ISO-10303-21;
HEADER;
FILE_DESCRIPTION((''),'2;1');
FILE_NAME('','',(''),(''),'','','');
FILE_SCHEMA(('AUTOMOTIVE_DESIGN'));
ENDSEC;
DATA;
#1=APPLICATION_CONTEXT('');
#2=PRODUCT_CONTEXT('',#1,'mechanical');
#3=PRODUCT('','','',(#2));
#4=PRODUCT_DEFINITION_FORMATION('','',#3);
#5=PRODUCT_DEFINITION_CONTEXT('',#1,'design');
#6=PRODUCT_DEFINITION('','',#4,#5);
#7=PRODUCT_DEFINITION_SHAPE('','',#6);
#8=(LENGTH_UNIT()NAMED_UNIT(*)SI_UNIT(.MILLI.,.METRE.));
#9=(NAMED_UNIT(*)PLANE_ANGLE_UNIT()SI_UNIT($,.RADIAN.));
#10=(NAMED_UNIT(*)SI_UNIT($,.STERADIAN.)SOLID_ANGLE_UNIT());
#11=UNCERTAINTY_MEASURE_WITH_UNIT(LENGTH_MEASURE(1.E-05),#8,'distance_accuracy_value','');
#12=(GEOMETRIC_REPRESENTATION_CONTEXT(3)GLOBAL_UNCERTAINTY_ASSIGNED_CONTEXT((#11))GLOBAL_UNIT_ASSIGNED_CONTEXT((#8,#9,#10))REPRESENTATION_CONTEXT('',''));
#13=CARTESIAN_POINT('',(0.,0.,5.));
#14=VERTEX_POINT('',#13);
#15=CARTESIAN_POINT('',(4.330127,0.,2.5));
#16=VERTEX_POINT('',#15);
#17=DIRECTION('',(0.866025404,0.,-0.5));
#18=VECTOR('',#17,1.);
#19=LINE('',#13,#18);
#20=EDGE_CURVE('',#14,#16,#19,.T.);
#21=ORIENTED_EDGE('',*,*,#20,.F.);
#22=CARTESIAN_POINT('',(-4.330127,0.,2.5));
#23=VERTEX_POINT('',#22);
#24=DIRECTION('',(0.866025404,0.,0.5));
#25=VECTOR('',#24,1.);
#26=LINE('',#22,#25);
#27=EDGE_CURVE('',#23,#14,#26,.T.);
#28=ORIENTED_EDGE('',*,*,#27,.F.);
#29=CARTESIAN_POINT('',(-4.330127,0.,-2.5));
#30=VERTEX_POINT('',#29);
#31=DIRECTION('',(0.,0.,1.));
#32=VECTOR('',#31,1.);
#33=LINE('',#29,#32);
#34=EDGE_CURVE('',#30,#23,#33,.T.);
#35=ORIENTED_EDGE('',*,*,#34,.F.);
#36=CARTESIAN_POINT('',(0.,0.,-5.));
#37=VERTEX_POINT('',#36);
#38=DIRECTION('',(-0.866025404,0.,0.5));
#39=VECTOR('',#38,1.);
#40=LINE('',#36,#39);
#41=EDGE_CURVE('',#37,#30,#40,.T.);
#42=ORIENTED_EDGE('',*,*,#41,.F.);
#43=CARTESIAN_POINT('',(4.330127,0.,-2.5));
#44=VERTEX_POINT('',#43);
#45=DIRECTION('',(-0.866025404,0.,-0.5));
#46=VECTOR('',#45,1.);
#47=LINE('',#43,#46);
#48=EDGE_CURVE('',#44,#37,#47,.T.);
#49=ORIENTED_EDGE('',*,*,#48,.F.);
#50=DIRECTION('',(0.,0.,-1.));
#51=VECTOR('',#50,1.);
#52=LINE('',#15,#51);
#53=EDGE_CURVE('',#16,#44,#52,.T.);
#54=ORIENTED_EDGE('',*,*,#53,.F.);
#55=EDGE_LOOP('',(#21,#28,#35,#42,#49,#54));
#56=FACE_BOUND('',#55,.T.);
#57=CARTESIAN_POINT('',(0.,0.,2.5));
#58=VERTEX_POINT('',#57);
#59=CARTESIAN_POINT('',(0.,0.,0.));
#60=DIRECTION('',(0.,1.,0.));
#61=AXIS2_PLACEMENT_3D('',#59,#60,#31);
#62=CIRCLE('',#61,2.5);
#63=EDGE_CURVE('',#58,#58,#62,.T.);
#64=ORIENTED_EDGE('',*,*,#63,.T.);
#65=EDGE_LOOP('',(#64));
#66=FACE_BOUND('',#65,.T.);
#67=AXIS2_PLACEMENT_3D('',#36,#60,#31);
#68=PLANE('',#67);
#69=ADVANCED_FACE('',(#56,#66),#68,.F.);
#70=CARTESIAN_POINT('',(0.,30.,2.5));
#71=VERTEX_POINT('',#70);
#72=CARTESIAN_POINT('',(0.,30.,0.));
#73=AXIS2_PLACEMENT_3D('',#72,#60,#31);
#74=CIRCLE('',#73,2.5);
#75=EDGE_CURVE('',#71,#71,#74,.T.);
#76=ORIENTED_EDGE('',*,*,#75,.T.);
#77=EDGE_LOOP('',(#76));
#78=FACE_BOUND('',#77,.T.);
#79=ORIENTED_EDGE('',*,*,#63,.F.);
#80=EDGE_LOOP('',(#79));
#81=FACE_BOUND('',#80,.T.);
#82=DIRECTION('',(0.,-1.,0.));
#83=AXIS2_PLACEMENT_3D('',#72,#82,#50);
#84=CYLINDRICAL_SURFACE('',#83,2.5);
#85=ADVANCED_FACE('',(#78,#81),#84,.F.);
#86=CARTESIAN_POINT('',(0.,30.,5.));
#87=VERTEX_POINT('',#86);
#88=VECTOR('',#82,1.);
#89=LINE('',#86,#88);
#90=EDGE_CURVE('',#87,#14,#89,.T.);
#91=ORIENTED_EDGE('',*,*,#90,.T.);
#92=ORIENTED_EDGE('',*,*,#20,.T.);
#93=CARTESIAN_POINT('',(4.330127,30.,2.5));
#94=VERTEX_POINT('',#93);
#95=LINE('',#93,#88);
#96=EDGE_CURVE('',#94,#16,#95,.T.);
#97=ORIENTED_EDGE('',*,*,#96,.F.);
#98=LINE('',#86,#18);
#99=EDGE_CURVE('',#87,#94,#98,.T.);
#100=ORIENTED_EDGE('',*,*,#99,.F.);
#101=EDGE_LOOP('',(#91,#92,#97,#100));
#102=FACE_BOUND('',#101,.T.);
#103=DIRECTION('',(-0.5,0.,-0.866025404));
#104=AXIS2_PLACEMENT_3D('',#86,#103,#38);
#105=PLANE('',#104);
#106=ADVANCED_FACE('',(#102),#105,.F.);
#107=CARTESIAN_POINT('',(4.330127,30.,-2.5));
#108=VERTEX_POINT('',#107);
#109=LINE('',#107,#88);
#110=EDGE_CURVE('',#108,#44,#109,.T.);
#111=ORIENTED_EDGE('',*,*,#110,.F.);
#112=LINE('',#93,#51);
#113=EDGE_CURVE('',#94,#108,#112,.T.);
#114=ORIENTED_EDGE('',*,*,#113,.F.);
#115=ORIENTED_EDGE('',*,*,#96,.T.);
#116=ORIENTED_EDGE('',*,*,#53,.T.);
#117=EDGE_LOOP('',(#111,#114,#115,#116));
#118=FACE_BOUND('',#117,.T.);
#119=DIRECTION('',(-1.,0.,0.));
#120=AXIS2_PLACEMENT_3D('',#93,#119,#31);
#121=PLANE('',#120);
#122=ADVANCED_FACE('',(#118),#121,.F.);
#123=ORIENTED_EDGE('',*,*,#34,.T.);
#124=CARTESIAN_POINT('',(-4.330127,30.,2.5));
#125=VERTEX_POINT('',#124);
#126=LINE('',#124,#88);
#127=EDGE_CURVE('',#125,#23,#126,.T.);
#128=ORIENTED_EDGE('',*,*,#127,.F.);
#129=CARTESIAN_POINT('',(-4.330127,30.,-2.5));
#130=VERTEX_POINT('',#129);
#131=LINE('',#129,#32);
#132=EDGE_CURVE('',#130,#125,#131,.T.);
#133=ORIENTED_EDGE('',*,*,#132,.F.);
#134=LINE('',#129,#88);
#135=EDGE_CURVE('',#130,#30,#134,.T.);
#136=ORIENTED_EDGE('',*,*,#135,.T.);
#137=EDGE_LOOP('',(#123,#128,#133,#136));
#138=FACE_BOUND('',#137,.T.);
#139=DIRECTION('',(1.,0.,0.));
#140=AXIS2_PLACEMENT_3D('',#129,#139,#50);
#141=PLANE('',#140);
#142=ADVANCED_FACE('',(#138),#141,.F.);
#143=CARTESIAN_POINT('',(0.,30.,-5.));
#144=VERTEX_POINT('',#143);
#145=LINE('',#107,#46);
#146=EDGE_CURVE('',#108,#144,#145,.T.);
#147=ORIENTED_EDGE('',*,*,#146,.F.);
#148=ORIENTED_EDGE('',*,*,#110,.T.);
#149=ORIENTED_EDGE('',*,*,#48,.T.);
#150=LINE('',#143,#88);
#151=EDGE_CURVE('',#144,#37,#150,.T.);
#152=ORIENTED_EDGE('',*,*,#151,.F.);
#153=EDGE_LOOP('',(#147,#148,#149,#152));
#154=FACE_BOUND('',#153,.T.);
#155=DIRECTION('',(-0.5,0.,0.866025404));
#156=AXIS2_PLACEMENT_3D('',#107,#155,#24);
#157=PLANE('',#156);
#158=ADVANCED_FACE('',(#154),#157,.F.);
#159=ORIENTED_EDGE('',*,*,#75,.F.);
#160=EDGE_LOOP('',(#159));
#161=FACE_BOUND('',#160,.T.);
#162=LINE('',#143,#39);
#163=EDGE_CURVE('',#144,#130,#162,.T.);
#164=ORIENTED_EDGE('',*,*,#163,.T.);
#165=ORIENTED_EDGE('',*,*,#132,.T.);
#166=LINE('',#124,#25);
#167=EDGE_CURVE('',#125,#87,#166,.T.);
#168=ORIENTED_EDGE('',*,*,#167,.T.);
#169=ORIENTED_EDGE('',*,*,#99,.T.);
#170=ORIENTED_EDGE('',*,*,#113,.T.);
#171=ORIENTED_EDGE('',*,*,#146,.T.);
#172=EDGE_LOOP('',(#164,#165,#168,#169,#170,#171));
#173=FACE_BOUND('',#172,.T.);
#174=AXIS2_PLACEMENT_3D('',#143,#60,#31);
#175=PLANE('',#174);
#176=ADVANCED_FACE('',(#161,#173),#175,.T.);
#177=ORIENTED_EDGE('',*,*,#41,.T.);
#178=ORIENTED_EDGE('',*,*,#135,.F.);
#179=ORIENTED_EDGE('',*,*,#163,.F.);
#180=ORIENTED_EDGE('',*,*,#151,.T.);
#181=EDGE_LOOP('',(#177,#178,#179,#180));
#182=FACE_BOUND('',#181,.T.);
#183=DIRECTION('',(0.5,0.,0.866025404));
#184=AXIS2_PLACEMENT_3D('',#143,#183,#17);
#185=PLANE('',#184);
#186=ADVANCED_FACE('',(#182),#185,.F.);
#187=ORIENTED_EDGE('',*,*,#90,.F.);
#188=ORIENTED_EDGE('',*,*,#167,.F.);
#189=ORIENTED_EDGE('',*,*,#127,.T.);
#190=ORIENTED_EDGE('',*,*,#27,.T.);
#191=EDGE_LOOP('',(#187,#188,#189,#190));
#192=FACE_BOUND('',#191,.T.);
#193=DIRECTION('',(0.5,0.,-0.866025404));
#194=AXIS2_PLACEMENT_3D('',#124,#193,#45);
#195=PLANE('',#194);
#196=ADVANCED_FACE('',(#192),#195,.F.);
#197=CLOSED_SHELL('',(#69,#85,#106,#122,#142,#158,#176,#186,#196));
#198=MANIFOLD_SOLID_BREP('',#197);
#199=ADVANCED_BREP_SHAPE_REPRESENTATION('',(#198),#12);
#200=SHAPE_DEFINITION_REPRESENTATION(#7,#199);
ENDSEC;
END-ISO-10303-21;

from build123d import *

# Parameters (mm, degrees)
ESQUISSE1_R      = 2.5
EXTRUSION1_DEPTH = 30


with BuildPart() as part:
    # Esquisse1 → Extrusion1 (new body)
    with BuildSketch(Plane(origin=(0, 0, 0), x_dir=(1, 0, 0), z_dir=(0, 1, 0))):
        Polygon((0, 5), (-4.330127019, 2.5), (-4.330127019, -2.5), (0, -5), (4.330127019, -2.5), (4.330127019, 2.5), align=None)
        Circle(ESQUISSE1_R, mode=Mode.SUBTRACT)
    extrude(amount=EXTRUSION1_DEPTH)


solid = part.part
